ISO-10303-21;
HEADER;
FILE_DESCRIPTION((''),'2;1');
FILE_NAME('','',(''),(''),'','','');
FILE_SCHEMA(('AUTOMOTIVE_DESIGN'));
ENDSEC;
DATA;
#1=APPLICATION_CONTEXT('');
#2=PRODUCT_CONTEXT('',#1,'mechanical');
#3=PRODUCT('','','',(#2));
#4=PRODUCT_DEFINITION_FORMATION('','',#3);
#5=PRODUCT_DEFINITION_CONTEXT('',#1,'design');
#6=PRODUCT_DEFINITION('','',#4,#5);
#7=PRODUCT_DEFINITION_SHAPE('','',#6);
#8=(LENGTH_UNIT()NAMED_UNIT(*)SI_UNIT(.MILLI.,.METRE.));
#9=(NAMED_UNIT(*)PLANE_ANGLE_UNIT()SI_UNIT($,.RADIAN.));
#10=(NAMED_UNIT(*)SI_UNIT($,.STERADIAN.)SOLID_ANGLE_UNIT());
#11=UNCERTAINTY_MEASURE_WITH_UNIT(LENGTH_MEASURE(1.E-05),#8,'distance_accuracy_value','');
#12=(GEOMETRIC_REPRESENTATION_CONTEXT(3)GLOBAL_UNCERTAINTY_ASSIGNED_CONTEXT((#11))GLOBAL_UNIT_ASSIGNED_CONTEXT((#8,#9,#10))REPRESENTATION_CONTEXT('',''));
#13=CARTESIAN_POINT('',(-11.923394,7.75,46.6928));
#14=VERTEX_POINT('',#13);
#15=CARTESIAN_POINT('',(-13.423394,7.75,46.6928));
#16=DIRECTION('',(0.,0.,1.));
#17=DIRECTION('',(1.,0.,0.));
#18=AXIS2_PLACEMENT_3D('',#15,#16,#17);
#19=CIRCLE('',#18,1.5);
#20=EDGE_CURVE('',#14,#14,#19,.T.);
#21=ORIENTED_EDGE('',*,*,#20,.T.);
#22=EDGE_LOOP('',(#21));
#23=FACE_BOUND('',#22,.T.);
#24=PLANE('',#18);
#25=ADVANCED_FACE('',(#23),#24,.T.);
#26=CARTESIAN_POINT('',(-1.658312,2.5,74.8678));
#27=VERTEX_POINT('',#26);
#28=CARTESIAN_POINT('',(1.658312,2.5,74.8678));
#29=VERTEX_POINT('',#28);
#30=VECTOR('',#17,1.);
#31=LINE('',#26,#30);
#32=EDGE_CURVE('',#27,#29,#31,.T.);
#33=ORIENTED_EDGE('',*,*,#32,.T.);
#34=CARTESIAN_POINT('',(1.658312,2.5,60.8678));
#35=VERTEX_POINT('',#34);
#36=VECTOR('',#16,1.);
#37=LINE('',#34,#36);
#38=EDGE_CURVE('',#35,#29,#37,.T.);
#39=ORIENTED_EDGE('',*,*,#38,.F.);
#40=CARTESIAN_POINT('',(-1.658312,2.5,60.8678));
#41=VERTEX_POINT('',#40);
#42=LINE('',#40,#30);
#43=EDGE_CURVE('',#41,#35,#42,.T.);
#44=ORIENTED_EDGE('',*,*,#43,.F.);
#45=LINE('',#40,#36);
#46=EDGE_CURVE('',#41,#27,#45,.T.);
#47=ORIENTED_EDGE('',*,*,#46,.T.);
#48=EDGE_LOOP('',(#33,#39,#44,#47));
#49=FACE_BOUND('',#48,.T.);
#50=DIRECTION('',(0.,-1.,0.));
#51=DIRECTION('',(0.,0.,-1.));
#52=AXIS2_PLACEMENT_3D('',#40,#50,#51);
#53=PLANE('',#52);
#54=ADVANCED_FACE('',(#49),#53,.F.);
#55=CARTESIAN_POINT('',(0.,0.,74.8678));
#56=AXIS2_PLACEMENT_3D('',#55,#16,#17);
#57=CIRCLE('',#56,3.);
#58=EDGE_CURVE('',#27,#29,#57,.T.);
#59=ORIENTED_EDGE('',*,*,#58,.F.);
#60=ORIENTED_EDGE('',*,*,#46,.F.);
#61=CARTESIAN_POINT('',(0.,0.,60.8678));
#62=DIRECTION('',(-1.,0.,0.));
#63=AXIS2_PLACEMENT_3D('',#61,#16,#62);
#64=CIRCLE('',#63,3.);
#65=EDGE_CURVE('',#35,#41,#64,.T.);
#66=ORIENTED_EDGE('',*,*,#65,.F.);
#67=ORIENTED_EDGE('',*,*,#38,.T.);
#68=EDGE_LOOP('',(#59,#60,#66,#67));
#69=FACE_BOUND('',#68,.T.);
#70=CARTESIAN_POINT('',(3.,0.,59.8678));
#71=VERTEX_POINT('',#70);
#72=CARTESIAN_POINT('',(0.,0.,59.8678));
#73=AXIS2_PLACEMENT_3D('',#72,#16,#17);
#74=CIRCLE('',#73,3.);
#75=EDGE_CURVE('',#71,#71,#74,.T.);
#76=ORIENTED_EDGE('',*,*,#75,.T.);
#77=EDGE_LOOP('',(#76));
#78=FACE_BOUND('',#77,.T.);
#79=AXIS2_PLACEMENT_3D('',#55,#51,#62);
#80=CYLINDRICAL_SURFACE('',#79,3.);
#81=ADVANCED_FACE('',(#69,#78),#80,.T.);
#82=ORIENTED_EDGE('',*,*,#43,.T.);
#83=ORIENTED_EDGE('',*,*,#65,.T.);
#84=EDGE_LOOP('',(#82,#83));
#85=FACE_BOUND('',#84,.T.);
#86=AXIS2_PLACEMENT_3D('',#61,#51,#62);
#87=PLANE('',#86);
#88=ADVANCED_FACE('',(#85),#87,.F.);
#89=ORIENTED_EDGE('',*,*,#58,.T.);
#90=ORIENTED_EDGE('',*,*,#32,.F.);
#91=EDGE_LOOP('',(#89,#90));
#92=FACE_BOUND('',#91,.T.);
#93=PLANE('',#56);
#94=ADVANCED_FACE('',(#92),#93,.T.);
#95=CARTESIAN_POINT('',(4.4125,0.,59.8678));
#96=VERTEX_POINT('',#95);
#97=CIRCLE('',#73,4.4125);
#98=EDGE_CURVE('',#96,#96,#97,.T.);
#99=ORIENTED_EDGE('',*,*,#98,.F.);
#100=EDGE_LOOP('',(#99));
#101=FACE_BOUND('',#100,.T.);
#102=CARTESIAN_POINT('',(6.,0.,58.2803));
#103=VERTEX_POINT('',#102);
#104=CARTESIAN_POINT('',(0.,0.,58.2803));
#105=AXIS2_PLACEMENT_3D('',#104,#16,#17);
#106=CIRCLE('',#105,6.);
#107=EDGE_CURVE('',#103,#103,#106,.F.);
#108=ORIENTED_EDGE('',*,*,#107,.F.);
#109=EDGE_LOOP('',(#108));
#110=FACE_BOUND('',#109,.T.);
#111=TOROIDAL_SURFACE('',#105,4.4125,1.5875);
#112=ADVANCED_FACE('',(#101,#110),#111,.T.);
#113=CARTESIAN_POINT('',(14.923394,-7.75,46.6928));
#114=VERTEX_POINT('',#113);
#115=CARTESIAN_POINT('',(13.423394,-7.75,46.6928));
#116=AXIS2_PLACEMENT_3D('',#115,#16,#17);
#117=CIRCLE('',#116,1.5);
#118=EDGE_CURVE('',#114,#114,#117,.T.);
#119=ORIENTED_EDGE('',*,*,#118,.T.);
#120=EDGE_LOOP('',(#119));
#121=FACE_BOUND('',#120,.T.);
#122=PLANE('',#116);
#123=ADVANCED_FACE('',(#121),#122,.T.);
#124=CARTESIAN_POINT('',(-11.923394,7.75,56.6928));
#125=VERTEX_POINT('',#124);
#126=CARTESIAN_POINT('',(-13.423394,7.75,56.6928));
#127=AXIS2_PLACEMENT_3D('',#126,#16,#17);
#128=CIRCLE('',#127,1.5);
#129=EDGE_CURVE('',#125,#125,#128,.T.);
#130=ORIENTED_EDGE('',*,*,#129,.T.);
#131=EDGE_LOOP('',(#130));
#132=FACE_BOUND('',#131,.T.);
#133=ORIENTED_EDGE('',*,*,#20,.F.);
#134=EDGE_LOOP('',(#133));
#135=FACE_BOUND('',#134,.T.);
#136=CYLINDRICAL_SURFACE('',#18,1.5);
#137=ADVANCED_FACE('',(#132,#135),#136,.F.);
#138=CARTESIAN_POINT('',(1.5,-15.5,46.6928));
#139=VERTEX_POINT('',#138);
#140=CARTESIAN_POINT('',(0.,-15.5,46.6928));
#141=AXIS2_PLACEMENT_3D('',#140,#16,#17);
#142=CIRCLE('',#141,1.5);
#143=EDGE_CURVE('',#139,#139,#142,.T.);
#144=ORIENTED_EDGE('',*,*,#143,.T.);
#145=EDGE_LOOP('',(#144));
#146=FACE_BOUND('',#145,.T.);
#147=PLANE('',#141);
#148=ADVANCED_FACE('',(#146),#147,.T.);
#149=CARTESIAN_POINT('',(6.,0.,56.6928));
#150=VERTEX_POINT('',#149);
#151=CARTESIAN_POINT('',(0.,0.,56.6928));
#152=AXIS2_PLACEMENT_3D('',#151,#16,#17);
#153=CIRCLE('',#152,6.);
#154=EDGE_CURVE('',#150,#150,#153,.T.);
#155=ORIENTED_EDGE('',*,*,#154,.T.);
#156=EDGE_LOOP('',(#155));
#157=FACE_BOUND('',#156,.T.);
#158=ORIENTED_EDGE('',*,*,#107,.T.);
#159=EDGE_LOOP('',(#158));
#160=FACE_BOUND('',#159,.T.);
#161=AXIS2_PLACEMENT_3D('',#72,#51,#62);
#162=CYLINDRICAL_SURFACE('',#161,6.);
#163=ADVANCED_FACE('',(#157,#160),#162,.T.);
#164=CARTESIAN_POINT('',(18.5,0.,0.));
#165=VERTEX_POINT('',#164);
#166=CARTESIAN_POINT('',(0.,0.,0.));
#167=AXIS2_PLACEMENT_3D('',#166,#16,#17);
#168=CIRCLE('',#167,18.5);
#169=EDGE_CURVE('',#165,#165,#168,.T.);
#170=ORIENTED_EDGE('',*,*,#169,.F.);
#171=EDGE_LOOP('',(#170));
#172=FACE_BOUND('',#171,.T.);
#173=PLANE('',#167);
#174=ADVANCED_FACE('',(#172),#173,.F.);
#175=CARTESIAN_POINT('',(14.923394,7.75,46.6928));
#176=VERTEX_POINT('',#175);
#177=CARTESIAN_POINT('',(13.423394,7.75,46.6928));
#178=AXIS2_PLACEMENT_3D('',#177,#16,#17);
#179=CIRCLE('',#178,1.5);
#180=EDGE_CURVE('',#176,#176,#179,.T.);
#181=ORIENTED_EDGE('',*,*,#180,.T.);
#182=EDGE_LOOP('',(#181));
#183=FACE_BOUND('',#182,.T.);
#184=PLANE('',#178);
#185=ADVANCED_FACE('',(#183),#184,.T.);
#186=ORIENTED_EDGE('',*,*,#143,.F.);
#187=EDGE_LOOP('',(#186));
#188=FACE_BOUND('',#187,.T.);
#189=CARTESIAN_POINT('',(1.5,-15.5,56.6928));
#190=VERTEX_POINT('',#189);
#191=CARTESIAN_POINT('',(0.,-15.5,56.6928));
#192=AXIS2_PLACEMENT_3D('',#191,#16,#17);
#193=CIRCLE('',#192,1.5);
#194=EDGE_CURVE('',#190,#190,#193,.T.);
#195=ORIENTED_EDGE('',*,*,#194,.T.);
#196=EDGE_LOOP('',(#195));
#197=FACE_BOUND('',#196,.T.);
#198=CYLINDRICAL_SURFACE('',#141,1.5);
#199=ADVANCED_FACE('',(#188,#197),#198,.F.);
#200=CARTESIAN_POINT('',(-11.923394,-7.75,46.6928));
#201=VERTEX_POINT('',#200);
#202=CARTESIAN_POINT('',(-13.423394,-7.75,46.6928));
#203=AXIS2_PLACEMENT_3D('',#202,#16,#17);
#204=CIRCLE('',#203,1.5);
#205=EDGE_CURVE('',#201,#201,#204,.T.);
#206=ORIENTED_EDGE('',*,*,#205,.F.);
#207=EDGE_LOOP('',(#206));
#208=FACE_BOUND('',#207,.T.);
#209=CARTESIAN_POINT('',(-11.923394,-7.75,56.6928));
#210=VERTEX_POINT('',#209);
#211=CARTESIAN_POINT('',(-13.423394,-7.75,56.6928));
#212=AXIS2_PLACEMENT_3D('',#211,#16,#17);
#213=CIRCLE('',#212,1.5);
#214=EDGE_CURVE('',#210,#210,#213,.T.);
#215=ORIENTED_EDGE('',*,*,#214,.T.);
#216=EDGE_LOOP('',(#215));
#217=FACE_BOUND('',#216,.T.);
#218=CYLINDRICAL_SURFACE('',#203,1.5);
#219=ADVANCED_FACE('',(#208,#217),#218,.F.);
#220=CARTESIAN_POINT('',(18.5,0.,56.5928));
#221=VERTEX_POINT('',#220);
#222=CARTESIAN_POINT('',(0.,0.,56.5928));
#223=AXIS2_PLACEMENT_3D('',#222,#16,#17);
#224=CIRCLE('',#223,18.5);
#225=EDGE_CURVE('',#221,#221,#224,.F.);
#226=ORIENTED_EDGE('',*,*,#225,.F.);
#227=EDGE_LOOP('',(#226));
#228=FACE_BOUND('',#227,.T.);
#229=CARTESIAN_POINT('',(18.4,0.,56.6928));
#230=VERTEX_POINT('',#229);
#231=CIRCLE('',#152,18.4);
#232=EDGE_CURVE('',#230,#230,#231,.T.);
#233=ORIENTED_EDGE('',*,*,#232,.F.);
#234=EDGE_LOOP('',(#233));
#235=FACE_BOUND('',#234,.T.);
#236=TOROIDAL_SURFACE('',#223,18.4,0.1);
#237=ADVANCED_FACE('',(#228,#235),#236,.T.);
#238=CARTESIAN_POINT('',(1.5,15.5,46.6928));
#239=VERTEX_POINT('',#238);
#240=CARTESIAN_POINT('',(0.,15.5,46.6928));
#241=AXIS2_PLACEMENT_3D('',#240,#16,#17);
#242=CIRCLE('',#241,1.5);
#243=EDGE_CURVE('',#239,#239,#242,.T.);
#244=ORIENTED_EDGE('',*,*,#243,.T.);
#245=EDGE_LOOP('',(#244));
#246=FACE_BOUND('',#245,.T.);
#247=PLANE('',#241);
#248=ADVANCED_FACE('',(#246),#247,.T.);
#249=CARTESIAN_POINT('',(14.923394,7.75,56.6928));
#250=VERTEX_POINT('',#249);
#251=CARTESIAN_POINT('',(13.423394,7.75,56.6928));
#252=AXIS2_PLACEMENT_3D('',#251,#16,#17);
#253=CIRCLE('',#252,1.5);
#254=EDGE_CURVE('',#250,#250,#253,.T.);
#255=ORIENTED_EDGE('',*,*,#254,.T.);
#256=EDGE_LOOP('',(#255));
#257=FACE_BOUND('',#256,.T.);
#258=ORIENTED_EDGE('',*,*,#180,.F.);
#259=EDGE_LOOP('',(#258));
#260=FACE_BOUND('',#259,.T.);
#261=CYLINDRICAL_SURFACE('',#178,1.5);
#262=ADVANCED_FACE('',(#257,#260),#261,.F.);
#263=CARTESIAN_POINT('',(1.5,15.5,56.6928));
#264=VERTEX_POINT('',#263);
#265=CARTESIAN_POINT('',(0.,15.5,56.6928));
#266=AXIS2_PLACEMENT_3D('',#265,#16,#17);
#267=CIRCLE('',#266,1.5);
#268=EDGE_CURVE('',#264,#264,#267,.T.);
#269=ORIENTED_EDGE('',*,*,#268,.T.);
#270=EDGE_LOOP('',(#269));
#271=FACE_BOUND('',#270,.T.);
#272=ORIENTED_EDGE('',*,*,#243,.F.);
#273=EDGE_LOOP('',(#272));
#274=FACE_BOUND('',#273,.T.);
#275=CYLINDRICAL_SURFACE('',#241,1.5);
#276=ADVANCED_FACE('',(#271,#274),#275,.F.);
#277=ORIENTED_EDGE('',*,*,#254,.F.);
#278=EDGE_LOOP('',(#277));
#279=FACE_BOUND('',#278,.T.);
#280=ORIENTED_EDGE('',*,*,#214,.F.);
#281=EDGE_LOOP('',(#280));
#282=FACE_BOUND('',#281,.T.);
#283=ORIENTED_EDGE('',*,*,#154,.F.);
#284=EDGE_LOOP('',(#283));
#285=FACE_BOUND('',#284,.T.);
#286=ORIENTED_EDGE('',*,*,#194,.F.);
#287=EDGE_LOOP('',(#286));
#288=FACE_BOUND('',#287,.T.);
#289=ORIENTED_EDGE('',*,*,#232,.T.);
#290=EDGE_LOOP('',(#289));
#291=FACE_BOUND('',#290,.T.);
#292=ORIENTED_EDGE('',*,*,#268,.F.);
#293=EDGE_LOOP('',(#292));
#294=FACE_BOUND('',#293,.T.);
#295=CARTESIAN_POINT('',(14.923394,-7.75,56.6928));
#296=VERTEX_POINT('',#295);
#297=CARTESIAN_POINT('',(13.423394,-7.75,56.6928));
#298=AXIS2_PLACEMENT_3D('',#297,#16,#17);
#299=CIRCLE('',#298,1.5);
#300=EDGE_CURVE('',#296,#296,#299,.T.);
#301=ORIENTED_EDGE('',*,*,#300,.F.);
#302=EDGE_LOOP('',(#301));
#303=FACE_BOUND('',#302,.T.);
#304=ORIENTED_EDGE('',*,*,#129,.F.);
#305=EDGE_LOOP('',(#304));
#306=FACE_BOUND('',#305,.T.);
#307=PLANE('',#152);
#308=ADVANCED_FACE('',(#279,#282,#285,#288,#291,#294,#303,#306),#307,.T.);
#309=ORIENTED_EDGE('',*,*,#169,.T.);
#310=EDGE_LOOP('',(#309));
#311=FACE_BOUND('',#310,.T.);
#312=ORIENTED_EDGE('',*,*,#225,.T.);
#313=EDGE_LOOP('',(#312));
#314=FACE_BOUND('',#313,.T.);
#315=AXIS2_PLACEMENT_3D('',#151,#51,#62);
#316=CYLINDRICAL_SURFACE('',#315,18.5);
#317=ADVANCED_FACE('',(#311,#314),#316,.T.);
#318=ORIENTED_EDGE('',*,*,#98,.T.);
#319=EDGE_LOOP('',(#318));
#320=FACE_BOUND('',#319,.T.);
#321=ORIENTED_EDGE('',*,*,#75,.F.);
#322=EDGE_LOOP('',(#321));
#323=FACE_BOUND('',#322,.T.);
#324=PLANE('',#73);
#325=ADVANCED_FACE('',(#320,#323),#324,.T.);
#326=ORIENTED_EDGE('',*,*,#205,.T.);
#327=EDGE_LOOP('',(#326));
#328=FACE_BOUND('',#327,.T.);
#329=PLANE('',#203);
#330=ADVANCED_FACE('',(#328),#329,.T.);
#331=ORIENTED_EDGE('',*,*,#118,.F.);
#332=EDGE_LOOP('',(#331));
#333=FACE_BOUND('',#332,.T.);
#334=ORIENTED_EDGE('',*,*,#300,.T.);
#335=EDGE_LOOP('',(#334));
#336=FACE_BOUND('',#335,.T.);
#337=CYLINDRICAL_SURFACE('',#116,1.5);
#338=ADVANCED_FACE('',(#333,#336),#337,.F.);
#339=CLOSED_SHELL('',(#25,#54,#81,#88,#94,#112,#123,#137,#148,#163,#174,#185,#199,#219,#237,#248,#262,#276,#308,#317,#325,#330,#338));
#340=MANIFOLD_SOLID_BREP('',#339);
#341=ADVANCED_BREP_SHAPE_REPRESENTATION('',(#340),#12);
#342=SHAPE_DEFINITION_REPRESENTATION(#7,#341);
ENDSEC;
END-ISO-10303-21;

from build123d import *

# Parameters (mm, degrees)
SKETCH1_R           = 18.5
BOSS_EXTRUDE1_DEPTH = 56.6928
FILLET3_R           = 0.1
SKETCH2_R           = 6
BOSS_EXTRUDE2_DEPTH = 3.175
FILLET2_R           = 1.5875
SKETCH5_R           = 3
BOSS_EXTRUDE3_DEPTH = 15
CUT_EXTRUDE1_START  = -14
CUT_EXTRUDE1_DEPTH  = 14
SKETCH7_R           = 1.5
CUT_EXTRUDE2_DEPTH  = 10


with BuildPart() as part:
    # Sketch1 → Boss-Extrude1 (new body)
    with BuildSketch(Plane.XY):
        Circle(SKETCH1_R)
    extrude(amount=BOSS_EXTRUDE1_DEPTH)

    # Fillet3
    fillet3_edges = [part.edges().sort_by_distance(p)[0] for p in [
        (-18.5, 0, 56.6928),
    ]]
    fillet(fillet3_edges, radius=FILLET3_R)

    # Sketch2 → Boss-Extrude2 (add)
    with BuildSketch(Plane.XY.offset(56.6928)):
        Circle(SKETCH2_R)
    extrude(amount=BOSS_EXTRUDE2_DEPTH)

    # Fillet2
    fillet2_edges = [part.edges().sort_by_distance(p)[0] for p in [
        (-6, 0, 59.8678),
    ]]
    fillet(fillet2_edges, radius=FILLET2_R)

    # Sketch5 → Boss-Extrude3 (add)
    with BuildSketch(Plane.XY.offset(59.8678)):
        Circle(SKETCH5_R)
    extrude(amount=BOSS_EXTRUDE3_DEPTH)

    # Sketch6 → Cut-Extrude1 (cut)
    with BuildSketch(Plane.XY.offset(74.8678).offset(CUT_EXTRUDE1_START)):
        with BuildLine():
            Line((-1.658312395, 2.5), (1.658312395, 2.5))
            ThreePointArc((1.658312395, 2.5), (0, 3), (-1.658312395, 2.5))
        make_face()
    extrude(amount=CUT_EXTRUDE1_DEPTH, mode=Mode.SUBTRACT)

    # Sketch7 → Cut-Extrude2 (cut)
    with BuildSketch(Plane.XY.offset(56.6928)):
        with Locations((0, 15.5)):
            Circle(SKETCH7_R)
        with Locations((13.423393759, 7.75)):
            Circle(SKETCH7_R)
        with Locations((13.423393759, -7.75)):
            Circle(SKETCH7_R)
        with Locations((0, -15.5)):
            Circle(SKETCH7_R)
        with Locations((-13.423393759, -7.75)):
            Circle(SKETCH7_R)
        with Locations((-13.423393759, 7.75)):
            Circle(SKETCH7_R)
    extrude(amount=-CUT_EXTRUDE2_DEPTH, mode=Mode.SUBTRACT)


solid = part.part
